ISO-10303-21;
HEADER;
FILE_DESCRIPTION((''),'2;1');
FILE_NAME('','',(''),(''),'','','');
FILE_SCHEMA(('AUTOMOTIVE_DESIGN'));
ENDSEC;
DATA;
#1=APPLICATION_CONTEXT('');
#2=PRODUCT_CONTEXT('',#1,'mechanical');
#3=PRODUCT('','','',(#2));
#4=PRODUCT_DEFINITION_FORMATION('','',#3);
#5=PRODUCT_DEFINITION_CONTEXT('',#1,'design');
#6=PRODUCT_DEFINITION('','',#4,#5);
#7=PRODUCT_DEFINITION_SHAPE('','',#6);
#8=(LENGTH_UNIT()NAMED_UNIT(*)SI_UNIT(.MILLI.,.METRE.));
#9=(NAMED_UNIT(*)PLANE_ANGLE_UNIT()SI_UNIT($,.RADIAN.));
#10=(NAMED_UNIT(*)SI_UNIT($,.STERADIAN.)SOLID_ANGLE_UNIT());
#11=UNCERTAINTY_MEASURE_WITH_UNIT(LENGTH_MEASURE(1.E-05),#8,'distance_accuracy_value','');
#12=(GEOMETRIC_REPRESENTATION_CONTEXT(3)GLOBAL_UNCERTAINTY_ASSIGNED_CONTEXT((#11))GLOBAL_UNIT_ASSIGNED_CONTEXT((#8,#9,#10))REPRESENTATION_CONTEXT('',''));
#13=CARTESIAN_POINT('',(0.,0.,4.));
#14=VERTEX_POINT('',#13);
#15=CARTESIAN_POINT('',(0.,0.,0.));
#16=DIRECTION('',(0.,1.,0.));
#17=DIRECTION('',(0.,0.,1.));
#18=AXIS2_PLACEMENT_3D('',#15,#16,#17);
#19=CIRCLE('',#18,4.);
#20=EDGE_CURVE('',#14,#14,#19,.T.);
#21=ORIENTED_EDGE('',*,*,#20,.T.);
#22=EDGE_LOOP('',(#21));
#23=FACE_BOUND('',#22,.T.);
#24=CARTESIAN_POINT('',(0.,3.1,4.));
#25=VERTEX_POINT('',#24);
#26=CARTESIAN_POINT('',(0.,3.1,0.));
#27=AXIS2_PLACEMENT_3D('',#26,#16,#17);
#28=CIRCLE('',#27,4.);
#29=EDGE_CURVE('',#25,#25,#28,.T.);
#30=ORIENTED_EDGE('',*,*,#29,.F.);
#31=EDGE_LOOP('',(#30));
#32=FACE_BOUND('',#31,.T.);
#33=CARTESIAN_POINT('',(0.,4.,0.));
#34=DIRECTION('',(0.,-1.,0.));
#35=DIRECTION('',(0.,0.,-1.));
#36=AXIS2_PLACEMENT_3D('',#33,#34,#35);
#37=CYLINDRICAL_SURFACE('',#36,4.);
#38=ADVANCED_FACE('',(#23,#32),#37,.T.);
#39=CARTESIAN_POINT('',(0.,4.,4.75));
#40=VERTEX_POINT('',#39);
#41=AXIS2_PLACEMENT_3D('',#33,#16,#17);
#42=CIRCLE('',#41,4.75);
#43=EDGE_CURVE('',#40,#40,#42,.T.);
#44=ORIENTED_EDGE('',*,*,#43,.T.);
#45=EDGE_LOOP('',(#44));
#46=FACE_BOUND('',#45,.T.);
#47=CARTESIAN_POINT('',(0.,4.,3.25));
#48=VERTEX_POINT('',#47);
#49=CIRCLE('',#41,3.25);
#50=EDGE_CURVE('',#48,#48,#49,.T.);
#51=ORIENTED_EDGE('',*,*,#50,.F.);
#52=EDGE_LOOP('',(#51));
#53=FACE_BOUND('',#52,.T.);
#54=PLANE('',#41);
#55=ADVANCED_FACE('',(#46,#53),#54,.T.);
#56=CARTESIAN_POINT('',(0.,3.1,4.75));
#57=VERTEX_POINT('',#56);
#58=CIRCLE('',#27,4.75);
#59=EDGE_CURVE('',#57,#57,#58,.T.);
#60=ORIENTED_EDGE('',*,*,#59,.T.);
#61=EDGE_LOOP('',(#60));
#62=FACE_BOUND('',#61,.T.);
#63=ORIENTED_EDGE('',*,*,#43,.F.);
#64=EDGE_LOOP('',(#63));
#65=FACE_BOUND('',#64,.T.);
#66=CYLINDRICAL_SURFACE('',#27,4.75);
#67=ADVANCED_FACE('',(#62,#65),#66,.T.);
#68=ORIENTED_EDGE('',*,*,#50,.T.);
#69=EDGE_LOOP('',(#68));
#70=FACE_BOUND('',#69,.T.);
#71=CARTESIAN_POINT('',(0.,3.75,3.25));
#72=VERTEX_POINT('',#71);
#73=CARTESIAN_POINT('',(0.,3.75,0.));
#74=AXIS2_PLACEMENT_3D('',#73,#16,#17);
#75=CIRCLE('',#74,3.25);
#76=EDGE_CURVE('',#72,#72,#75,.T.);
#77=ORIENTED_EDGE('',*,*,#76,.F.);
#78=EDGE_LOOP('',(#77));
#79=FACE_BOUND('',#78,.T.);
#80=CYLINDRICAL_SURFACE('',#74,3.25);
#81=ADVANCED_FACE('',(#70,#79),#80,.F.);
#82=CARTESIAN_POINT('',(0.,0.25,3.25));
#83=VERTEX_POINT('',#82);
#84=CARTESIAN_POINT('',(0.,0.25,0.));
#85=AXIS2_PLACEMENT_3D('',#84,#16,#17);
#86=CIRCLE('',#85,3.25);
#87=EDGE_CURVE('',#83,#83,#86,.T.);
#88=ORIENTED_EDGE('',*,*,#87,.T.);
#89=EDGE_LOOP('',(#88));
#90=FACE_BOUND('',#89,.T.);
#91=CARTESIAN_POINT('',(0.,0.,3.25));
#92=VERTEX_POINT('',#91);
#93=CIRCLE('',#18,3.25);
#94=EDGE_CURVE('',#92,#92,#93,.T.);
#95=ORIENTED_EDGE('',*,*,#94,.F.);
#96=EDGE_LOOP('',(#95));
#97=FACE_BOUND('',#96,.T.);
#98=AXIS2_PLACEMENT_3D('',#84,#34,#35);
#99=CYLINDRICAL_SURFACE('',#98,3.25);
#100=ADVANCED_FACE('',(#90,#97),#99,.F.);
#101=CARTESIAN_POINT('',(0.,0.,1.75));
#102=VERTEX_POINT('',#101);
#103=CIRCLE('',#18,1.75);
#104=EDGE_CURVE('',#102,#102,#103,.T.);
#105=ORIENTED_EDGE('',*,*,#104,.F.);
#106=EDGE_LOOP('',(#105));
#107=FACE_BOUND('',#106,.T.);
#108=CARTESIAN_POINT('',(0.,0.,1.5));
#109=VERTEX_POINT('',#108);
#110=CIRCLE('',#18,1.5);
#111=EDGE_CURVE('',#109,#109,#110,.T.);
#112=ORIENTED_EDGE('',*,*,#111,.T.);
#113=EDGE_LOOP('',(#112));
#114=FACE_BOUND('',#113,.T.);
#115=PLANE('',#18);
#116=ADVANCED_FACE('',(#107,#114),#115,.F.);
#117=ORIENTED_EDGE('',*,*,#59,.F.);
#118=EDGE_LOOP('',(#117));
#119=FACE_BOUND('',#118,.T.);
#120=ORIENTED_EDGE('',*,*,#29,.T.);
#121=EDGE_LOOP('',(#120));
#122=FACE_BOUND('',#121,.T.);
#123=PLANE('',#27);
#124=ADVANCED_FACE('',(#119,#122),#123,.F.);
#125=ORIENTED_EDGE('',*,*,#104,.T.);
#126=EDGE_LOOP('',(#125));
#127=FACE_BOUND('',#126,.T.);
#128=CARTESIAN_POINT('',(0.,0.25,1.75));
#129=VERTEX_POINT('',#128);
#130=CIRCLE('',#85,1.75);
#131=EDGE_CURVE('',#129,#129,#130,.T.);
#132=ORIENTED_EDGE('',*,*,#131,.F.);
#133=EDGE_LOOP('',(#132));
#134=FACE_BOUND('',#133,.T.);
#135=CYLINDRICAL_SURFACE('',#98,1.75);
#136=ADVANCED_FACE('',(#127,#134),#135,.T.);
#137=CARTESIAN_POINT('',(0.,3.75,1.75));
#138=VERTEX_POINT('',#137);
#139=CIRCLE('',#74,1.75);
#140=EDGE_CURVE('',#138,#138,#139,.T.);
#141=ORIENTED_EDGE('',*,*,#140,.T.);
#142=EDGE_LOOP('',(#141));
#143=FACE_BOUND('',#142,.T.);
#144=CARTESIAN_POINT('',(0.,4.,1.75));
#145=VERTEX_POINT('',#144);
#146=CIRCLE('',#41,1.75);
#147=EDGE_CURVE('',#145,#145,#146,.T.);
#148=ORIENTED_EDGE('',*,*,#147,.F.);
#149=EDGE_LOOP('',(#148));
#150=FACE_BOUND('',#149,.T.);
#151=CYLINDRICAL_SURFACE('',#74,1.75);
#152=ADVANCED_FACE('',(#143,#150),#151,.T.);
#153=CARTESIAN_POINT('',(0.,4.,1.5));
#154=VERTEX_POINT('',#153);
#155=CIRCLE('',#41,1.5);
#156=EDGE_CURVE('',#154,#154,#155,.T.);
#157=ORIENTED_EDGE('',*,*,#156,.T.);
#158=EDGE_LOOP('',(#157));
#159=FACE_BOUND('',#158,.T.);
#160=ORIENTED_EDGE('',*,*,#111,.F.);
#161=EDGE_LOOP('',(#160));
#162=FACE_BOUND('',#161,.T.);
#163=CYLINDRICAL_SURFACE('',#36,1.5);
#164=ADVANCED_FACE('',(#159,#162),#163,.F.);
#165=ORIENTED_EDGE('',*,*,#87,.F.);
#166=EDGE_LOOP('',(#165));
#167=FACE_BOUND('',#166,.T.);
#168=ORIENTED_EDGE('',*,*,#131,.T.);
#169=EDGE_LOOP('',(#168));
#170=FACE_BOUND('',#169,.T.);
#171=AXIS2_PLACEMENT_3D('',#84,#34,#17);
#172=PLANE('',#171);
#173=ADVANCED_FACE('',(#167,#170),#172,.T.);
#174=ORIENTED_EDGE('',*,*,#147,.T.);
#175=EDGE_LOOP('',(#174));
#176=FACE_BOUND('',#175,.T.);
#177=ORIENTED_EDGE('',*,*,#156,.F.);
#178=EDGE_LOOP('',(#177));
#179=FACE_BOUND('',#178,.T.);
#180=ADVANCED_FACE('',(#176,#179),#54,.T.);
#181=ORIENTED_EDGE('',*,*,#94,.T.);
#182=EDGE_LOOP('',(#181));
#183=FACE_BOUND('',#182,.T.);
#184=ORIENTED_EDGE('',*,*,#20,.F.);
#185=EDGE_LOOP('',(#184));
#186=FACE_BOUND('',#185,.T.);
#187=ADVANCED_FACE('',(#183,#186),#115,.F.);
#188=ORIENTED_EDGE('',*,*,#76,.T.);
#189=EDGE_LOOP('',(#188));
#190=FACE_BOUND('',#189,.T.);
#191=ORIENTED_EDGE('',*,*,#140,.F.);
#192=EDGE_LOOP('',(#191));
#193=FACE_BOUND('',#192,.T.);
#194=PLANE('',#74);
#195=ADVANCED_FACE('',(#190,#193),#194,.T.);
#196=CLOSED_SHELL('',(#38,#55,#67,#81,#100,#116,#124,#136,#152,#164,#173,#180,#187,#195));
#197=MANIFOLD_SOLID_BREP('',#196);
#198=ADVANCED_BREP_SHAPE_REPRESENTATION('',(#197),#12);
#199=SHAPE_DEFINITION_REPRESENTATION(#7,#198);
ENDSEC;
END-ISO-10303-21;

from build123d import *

# Parameters (mm, degrees)
SKETCH1_R           = 4
SKETCH1_R_2         = 1.5
BOSS_EXTRUDE1_DEPTH = 4
SKETCH2_R           = 3.25
SKETCH2_R_2         = 1.75
CUT_EXTRUDE1_DEPTH  = 0.25
BOSS_EXTRUDE2_START = -0.9
SKETCH3_R           = 4.75
SKETCH3_R_2         = 4
BOSS_EXTRUDE2_DEPTH = 0.9


with BuildPart() as part:
    # Sketch1 → Boss-Extrude1 (new body)
    with BuildSketch(Plane(origin=(0, 0, 0), x_dir=(1, 0, 0), z_dir=(0, 1, 0))):
        with Locations(Location((0, 0, 0), (0, 0, 270))):
            Circle(SKETCH1_R)
        with Locations(Location((0, 0, 0), (0, 0, 270))):
            Circle(SKETCH1_R_2, mode=Mode.SUBTRACT)
    extrude(amount=BOSS_EXTRUDE1_DEPTH)

    # Sketch2 → Cut-Extrude1 (cut)
    with BuildSketch(Plane(origin=(0, 4, 0), x_dir=(1, 0, 0), z_dir=(0, 1, 0))):
        with Locations(Location((0, 0, 0), (0, 0, 270))):
            Circle(SKETCH2_R)
        with Locations(Location((0, 0, 0), (0, 0, 270))):
            Circle(SKETCH2_R_2, mode=Mode.SUBTRACT)
    cut_extrude1 = extrude(amount=-CUT_EXTRUDE1_DEPTH, mode=Mode.SUBTRACT)

    # Mirror1: Cut-Extrude1 across plane
    add(cut_extrude1.mirror(Plane.ZX.offset(2)), mode=Mode.SUBTRACT)

    # Sketch3 → Boss-Extrude2 (add)
    with BuildSketch(Plane(origin=(0, 4, 0), x_dir=(1, 0, 0), z_dir=(0, 1, 0)).offset(BOSS_EXTRUDE2_START)):
        with Locations(Location((0, 0, 0), (0, 0, 270))):
            Circle(SKETCH3_R)
        with Locations(Location((0, 0, 0), (0, 0, 270))):
            Circle(SKETCH3_R_2, mode=Mode.SUBTRACT)
    extrude(amount=BOSS_EXTRUDE2_DEPTH)


solid = part.part
